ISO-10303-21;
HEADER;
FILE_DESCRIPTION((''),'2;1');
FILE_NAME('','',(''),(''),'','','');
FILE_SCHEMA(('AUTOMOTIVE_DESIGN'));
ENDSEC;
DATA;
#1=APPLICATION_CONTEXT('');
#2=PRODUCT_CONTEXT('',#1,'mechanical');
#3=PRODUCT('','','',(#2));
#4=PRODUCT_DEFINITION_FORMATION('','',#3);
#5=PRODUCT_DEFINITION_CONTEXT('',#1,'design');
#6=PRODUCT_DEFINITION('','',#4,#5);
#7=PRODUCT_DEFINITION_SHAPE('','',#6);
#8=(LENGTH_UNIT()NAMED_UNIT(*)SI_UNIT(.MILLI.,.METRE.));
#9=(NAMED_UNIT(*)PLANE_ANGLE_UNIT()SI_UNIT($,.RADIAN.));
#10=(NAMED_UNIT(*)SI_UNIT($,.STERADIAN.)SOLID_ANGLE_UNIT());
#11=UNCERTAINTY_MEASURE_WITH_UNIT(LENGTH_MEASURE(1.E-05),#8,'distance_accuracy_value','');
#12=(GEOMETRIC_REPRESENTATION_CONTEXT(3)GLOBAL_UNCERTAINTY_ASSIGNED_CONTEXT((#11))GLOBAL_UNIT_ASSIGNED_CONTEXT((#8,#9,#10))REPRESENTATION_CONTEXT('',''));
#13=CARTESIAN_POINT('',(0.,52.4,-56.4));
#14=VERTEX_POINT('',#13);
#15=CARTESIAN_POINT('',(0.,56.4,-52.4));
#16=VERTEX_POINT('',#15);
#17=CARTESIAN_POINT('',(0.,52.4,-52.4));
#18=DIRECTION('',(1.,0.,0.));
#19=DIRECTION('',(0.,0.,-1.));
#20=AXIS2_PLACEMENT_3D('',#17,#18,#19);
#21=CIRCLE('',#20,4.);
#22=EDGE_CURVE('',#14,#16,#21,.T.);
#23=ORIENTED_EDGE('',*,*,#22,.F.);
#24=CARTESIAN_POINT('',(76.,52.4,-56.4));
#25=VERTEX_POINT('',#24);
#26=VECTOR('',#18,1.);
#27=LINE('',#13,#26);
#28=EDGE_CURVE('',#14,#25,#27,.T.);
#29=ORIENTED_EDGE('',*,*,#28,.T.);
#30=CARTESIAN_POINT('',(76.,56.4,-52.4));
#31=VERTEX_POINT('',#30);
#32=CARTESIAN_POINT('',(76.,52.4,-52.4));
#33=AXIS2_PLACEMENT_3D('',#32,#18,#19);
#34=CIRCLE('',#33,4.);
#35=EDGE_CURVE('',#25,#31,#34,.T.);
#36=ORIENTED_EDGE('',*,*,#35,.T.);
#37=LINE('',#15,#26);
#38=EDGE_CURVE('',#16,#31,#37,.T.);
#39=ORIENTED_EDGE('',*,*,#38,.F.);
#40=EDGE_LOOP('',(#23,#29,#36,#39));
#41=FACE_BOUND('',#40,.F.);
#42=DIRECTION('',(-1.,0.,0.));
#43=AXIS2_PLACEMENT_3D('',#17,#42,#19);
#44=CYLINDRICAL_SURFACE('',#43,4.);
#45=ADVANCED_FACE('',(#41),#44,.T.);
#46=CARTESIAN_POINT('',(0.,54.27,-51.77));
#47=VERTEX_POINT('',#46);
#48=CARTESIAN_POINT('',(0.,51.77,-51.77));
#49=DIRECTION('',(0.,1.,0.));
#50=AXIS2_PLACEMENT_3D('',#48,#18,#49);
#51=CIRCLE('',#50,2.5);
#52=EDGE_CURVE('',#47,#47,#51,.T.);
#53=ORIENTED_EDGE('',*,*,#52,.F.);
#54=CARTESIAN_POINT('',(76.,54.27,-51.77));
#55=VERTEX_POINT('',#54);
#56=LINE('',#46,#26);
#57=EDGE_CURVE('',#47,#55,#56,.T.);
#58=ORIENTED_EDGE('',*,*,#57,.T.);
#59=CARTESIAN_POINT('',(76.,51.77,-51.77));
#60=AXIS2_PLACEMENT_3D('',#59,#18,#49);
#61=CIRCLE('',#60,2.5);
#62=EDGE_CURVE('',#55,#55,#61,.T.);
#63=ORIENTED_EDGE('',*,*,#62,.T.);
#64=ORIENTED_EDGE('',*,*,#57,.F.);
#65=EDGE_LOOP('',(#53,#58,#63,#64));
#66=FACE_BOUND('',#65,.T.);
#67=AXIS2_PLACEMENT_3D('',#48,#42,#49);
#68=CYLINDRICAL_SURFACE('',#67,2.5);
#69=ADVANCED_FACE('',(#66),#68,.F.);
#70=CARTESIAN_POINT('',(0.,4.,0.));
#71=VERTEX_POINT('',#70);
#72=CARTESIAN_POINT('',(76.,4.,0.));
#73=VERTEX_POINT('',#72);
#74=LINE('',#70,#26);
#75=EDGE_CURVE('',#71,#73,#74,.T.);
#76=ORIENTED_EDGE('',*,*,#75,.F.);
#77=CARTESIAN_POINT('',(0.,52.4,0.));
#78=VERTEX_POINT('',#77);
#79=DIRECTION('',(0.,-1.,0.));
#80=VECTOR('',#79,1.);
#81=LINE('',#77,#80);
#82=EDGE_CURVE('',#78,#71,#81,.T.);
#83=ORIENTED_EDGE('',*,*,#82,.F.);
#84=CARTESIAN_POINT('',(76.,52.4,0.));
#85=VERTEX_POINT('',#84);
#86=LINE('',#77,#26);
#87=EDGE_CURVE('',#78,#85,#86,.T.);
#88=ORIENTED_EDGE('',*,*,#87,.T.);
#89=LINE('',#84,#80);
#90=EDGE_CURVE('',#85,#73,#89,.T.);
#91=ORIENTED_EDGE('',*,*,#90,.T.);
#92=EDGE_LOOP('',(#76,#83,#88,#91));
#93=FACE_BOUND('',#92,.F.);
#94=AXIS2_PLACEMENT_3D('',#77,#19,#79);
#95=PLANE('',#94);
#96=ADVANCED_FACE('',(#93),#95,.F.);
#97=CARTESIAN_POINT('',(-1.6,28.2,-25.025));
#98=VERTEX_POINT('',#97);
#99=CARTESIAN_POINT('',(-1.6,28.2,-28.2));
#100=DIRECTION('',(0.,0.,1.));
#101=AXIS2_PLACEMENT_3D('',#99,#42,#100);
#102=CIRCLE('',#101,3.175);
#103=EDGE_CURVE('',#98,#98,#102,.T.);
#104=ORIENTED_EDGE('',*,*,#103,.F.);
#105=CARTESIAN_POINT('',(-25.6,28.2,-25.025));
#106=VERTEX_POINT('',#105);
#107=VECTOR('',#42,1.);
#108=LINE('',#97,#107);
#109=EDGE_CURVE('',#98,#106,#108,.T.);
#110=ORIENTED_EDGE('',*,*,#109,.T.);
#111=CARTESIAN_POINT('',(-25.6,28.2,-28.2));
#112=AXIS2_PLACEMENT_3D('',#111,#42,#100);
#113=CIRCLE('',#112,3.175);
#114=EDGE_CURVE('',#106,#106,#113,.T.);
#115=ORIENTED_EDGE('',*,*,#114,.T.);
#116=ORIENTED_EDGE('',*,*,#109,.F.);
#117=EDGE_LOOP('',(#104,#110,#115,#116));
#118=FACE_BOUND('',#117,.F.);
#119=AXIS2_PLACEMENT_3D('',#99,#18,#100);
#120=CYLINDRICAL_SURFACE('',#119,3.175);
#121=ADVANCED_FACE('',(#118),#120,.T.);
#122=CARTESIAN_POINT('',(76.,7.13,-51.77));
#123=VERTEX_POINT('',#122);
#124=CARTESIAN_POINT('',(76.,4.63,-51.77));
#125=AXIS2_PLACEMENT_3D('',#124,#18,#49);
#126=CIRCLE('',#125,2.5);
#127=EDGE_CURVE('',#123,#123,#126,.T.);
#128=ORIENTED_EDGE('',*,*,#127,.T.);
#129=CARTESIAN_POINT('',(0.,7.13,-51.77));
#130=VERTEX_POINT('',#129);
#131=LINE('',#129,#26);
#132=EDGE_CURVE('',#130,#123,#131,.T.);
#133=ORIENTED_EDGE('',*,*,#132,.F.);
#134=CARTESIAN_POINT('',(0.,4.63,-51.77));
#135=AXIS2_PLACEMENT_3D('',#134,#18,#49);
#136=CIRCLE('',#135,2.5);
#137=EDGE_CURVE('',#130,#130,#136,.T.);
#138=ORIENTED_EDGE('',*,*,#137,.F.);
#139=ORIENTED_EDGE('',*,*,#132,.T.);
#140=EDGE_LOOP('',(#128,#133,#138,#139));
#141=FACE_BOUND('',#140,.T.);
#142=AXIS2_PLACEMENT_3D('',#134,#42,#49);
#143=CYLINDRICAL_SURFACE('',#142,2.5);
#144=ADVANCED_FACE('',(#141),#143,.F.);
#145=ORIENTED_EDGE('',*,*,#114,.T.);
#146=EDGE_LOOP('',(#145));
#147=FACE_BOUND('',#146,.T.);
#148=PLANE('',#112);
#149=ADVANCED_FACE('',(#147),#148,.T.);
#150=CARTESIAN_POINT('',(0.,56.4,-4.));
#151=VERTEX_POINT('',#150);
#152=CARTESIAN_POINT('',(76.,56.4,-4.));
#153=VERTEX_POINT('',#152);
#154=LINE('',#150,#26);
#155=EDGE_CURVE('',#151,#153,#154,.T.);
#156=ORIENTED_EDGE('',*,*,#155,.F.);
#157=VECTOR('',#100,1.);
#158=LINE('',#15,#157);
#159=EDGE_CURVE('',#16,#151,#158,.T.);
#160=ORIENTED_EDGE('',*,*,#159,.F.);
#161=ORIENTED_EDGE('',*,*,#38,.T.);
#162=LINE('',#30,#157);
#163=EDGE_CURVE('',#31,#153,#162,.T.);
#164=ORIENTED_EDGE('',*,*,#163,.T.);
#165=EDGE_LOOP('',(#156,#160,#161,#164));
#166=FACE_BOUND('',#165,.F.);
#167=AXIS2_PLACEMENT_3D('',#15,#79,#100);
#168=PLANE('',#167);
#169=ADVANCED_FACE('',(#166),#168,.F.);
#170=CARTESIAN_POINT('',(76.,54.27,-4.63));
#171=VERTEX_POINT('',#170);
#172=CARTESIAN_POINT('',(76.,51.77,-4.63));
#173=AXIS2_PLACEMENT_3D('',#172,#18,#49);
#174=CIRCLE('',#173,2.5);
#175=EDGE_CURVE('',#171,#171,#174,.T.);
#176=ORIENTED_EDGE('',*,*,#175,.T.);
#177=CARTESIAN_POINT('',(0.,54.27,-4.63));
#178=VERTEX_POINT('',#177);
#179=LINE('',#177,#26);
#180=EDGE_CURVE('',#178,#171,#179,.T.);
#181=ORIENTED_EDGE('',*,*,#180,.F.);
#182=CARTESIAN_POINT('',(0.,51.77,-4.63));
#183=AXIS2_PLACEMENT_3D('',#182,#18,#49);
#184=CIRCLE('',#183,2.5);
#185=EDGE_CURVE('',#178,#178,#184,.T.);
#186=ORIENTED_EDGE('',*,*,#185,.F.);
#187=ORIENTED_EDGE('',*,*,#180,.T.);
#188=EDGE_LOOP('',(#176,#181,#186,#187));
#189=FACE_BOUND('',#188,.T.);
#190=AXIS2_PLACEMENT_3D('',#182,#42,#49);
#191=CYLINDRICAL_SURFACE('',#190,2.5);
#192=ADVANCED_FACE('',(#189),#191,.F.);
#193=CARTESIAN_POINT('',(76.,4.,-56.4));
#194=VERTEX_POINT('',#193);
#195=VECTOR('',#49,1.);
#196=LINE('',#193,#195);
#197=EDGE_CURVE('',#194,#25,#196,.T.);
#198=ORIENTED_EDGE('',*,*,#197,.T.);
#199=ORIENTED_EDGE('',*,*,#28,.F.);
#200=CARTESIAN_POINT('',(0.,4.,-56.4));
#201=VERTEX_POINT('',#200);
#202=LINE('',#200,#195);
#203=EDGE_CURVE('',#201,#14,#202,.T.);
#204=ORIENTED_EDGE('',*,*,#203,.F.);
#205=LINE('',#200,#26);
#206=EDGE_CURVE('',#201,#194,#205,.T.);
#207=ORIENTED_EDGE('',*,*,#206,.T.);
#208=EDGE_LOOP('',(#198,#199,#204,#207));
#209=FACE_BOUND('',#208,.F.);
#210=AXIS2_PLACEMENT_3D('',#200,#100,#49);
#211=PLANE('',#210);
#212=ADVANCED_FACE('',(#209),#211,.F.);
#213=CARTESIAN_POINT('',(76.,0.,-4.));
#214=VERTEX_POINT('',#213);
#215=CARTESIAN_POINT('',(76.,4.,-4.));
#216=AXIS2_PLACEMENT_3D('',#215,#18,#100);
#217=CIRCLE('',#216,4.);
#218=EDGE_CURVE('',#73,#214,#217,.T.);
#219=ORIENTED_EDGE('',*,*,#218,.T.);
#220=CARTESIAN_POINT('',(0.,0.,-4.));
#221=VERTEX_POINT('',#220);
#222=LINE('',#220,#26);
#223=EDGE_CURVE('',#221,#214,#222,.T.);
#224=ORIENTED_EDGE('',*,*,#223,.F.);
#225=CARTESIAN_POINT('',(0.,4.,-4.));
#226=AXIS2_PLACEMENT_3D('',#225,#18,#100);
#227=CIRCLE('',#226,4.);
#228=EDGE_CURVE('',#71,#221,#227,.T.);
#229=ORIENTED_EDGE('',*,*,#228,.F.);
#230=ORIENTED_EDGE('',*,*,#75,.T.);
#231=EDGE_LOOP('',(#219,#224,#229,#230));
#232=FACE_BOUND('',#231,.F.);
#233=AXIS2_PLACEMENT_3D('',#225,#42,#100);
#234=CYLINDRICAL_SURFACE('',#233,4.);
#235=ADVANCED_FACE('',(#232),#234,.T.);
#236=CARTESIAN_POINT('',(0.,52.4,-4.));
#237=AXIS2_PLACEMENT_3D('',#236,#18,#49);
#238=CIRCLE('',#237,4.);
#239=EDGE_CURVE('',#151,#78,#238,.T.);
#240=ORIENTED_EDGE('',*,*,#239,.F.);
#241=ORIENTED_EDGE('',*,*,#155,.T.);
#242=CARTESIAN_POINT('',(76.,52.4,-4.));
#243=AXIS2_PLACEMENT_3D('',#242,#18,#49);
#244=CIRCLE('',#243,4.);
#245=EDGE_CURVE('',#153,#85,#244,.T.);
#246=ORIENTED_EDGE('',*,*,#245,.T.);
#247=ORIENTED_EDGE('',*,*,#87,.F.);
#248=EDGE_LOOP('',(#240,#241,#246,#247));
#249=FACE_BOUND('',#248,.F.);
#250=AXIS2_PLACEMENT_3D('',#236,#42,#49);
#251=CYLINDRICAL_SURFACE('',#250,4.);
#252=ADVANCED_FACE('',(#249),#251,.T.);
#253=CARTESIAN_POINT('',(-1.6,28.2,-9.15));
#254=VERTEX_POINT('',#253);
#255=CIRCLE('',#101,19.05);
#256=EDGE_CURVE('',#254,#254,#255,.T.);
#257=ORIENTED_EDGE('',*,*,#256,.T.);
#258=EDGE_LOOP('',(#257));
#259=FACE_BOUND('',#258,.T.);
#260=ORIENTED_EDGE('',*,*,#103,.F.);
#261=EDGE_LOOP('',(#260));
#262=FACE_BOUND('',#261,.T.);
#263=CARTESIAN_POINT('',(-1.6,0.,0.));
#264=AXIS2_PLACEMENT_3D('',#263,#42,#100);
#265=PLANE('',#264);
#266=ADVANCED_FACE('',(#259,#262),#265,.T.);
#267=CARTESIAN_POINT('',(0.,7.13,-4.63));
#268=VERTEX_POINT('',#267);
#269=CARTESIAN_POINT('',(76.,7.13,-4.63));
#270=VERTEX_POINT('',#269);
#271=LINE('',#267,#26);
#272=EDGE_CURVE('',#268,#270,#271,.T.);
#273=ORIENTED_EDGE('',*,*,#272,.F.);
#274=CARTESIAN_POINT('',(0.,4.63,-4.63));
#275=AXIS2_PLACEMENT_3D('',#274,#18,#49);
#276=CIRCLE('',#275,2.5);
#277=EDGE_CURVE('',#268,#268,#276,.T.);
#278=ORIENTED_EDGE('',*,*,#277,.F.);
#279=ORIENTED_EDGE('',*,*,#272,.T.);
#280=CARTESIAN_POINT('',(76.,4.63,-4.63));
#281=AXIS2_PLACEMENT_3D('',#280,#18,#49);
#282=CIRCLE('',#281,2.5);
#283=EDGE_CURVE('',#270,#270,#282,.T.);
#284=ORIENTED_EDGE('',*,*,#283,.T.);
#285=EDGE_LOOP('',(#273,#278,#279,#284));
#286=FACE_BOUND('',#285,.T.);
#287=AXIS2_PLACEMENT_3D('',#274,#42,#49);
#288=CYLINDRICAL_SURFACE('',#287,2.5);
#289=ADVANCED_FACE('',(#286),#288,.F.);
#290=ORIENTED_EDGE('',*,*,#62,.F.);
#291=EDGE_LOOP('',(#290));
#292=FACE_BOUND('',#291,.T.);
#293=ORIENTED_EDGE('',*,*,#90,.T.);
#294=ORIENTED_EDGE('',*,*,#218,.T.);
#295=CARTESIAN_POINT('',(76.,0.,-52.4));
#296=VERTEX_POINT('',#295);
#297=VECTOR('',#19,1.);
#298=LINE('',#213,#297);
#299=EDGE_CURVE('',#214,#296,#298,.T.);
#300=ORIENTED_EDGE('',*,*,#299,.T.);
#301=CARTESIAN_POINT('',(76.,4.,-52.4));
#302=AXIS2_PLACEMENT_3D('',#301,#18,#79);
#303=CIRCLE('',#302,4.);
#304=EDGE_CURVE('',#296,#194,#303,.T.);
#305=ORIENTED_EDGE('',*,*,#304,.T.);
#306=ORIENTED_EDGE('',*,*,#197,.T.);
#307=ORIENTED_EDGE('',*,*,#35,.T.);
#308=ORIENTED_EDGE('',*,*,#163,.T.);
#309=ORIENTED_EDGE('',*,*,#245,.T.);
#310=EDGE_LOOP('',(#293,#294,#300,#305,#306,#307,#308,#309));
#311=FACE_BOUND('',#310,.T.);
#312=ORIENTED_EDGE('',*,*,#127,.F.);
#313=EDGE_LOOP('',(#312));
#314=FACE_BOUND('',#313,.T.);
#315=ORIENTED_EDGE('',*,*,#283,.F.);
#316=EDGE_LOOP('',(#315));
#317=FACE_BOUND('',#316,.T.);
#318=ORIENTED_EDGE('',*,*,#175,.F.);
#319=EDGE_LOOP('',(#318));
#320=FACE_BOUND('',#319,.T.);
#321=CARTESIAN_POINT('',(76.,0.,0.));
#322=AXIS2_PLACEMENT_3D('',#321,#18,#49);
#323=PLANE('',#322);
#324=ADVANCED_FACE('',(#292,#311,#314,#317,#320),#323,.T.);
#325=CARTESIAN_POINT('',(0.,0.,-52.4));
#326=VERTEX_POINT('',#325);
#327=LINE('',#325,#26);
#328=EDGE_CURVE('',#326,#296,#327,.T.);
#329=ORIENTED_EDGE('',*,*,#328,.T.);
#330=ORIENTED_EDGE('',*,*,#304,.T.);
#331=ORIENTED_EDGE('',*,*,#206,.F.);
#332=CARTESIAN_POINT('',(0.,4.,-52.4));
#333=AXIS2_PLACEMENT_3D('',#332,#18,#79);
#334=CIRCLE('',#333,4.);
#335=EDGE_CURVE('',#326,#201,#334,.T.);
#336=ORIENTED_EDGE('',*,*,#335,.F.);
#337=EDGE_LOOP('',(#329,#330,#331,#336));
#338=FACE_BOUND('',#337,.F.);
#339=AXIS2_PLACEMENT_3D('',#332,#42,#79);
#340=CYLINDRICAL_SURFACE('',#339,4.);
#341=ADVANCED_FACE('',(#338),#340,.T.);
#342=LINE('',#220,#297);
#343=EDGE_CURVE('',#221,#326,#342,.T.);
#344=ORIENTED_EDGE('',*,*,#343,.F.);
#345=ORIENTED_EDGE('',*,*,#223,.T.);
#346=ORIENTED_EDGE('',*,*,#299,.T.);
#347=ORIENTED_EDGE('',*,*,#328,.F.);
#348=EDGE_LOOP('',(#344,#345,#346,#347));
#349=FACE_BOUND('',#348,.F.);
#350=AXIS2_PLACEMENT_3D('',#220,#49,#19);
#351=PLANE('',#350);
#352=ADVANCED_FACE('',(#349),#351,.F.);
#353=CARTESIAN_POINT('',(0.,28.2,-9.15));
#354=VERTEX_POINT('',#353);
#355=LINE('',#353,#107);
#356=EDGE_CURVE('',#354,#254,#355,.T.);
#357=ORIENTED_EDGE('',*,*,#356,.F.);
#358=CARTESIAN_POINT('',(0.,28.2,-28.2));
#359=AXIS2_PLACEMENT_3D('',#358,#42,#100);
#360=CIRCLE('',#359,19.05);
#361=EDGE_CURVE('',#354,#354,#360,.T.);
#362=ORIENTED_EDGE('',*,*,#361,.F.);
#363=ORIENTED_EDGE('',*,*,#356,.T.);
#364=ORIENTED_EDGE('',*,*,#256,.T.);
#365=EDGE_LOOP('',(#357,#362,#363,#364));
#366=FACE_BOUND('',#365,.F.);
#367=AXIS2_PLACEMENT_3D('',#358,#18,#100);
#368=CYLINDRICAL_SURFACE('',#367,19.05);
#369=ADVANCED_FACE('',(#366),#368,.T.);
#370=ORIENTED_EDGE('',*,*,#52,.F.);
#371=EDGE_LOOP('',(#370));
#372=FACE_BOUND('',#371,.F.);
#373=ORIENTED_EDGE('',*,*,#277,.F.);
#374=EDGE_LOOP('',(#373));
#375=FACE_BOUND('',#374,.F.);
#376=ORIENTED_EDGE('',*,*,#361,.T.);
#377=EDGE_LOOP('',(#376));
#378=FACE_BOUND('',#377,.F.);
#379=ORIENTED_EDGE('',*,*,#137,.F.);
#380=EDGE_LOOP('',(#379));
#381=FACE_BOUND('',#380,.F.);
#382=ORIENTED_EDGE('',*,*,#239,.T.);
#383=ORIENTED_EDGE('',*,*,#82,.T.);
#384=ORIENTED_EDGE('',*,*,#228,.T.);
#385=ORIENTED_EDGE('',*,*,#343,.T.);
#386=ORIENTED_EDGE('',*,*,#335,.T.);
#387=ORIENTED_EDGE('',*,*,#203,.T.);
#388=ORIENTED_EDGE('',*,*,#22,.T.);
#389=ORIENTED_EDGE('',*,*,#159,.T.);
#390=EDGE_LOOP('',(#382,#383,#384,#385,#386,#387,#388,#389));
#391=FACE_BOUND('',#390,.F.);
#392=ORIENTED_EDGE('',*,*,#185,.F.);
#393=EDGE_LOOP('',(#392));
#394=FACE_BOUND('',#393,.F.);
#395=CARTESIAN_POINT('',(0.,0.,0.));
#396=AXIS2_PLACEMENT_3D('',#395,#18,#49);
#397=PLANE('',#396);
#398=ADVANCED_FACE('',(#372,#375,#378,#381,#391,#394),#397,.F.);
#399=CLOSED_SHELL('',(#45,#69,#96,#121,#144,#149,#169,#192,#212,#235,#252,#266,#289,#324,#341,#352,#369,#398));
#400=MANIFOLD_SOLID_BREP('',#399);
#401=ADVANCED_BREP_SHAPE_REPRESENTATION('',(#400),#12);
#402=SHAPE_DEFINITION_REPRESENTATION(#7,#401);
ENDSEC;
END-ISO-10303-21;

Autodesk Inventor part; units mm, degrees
ref_plane "YZ Plane" through (0, 0, 0) normal (1, 0, 0) x (0, 1, 0)
ref_plane "XZ Plane" through (0, 0, 0) normal (0, 1, 0) x (-1, 0, 0)
ref_plane "XY Plane" through (0, 0, 0) normal (0, 0, 1) x (1, 0, 0)
sketch "Sketch1" plane through (0, 0, 0) normal (1, 0, 0) x (0, 1, 0)
  line L0 (52.4, 0) -> (4, 0)
  line L1 (0, -4) -> (0, -52.4)
  line L2 (4, -56.4) -> (52.4, -56.4)
  line L3 (56.4, -52.4) -> (56.4, -4)
  line L4 (51.77, -4.63) -> (4.63, -4.63) construction
  line L5 (4.63, -4.63) -> (4.63, -51.77) construction
  line L6 (4.63, -51.77) -> (51.77, -51.77) construction
  line L7 (51.77, -51.77) -> (51.77, -4.63) construction
  circle A0 centre (51.77, -4.63) radius 2.5
  circle A1 centre (51.77, -51.77) radius 2.5
  circle A2 centre (4.63, -4.63) radius 2.5
  circle A3 centre (4.63, -51.77) radius 2.5
  arc A4 (56.4, -4) -> (52.4, 0) centre (52.4, -4) ccw
  arc A5 (52.4, -56.4) -> (56.4, -52.4) centre (52.4, -52.4) ccw
  arc A6 (0, -52.4) -> (4, -56.4) centre (4, -52.4) ccw
  arc A7 (4, 0) -> (0, -4) centre (4, -4) ccw
  point P0 (0, 0)
  point P1 (56.4, 0)
  point P2 (0, 0)
  point P3 (56.4, -56.4)
  point P4 (56.4, -28.2)
  point P5 (51.77, -28.2)
  point P6 (28.2, -51.77)
  point P7 (28.2, -56.4)
  dimension "d0" = 56.4
  dimension "d1" = 47.14
  dimension "d2" = 5
  dimension "d3" = 4
  dimension "d4" = 4
  dimension "d5" = 4
  dimension "d6" = 4
extrude "Extrusion1" add sketch "Sketch1" along normal blind 76
sketch "Sketch2" plane through (0, 0, 0) normal (-1, 0, 0) x (0, 0, 1)
  circle A0 centre (-28.2, 28.2) radius 19.05
  line L0 (-52.4, 56.4) -> (-4, 56.4) projected
  line L1 (-56.4, 4) -> (-56.4, 52.4) projected
  point P0 (0, 0)
  point P1 (-28.2, 56.4)
  point P2 (-56.4, 28.2)
  dimension "d9" = 38.1
extrude "Extrusion2" add sketch "Sketch2" along normal blind 1.6
sketch "Sketch3" plane through (-1.6, 28.2, -28.2) normal (-1, 0, 0) x (0, 0, 1)
  circle A0 centre (0, 0) radius 3.175
  circle A1 centre (0, 0) radius 19.05 construction
  point P0 (28.2, -28.2)
  dimension "d12" = 6.35
extrude "Extrusion3" add sketch "Sketch3" along normal blind 24
properties part number "Nema23"
